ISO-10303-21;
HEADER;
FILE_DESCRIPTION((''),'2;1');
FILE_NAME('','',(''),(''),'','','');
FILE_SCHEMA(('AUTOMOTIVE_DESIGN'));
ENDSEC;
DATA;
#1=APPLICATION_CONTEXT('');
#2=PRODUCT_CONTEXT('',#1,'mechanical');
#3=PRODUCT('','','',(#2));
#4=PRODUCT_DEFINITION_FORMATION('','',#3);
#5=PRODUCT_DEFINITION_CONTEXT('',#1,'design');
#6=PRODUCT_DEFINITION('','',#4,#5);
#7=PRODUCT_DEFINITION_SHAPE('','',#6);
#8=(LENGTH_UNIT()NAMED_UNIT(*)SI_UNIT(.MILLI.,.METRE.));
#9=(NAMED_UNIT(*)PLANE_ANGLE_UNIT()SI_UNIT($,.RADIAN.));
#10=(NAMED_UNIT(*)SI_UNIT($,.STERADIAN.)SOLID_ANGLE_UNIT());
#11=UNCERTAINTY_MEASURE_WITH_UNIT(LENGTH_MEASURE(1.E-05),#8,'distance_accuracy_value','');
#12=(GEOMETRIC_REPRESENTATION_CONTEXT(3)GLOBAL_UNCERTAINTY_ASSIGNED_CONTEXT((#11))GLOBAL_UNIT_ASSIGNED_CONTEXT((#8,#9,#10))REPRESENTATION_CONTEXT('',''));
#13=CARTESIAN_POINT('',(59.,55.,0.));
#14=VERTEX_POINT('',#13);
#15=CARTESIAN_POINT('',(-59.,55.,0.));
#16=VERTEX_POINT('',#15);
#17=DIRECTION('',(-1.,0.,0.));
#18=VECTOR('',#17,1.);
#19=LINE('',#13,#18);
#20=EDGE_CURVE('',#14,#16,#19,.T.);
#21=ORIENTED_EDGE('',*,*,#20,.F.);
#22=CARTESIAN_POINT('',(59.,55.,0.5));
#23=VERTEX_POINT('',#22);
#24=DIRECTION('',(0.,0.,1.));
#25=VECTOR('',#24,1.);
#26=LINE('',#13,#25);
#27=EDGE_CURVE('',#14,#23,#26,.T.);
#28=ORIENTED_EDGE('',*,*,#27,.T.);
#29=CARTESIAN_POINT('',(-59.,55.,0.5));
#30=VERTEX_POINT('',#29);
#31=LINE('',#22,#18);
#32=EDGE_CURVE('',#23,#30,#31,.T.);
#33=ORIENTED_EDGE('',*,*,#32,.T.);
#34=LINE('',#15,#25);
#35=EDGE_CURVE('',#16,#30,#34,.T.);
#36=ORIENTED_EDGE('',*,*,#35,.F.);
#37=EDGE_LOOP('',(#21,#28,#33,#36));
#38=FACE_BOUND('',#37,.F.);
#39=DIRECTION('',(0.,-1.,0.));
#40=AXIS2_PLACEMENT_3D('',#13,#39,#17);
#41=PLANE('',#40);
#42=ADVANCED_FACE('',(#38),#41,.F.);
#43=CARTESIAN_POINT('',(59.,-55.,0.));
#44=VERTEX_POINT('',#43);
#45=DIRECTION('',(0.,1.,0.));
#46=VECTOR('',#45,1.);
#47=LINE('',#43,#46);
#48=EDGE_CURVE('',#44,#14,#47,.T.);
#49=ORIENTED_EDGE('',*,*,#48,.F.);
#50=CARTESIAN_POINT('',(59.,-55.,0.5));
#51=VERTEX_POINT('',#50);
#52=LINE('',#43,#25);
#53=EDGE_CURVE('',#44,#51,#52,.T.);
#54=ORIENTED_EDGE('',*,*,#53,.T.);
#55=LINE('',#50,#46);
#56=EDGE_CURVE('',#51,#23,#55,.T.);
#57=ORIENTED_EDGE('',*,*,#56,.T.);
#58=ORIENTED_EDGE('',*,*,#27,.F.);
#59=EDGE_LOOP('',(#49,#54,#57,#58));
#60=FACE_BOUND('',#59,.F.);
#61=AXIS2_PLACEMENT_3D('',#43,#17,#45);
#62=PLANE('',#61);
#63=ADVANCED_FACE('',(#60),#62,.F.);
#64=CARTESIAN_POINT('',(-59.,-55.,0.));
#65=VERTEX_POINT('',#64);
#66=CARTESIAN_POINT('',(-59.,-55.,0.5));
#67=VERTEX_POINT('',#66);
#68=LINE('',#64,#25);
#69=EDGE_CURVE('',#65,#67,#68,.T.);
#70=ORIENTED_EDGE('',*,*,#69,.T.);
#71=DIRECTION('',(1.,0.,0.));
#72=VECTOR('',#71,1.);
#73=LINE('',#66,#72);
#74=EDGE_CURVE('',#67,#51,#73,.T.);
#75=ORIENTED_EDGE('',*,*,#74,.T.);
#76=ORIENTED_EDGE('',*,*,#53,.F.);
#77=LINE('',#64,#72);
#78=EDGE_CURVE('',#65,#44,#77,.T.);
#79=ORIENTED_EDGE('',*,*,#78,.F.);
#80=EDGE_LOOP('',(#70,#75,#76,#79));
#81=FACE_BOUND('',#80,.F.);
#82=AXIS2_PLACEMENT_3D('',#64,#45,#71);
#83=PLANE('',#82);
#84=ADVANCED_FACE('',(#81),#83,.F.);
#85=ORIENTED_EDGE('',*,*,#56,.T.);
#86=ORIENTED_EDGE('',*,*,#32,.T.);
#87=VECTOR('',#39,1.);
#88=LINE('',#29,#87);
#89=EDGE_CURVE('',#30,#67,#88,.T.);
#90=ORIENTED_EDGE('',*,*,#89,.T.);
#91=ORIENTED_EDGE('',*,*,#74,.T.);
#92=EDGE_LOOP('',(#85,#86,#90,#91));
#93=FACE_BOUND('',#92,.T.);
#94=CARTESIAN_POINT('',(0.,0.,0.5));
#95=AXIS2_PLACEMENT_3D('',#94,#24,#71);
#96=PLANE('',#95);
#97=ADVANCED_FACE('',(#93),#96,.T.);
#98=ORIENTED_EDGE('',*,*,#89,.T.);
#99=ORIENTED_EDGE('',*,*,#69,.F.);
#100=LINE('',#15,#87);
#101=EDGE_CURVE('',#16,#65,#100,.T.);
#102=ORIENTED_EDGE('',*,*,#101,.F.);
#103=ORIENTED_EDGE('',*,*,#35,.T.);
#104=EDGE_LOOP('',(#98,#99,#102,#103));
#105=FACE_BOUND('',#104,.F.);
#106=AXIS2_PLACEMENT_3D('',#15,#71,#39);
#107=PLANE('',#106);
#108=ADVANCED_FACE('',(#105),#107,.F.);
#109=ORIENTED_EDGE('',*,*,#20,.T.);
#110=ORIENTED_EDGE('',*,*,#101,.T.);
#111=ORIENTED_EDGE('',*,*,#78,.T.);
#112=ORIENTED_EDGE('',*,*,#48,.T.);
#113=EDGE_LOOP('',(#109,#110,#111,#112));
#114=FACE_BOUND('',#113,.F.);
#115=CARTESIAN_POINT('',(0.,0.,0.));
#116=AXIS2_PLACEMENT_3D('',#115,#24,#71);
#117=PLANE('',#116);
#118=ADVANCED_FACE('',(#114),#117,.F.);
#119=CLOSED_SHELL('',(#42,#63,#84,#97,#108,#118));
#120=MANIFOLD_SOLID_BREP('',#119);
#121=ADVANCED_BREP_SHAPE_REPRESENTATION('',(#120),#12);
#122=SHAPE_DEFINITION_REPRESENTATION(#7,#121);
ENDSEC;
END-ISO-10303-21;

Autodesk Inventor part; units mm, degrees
ref_plane "YZ Plane" through (0, 0, 0) normal (1, 0, 0) x (0, 1, 0)
ref_plane "XZ Plane" through (0, 0, 0) normal (0, 1, 0) x (-1, 0, 0)
ref_plane "XY Plane" through (0, 0, 0) normal (0, 0, 1) x (1, 0, 0)
sketch "Sketch1" plane through (0, 0, 0) normal (0, 0, 1) x (1, 0, 0)
  line L0 (-59, -55) -> (59, -55)
  line L1 (59, -55) -> (59, 55)
  line L2 (59, 55) -> (-59, 55)
  line L3 (-59, 55) -> (-59, -55)
  line L4 (-59, -55) -> (59, 55) construction
  line L5 (59, -55) -> (-59, 55) construction
  point P0 (0, 0)
  dimension "d0" = 118
  dimension "d1" = 110
extrude "Extrusion1" add sketch "Sketch1" along normal blind 0.5
properties part number "SprayPaint"
